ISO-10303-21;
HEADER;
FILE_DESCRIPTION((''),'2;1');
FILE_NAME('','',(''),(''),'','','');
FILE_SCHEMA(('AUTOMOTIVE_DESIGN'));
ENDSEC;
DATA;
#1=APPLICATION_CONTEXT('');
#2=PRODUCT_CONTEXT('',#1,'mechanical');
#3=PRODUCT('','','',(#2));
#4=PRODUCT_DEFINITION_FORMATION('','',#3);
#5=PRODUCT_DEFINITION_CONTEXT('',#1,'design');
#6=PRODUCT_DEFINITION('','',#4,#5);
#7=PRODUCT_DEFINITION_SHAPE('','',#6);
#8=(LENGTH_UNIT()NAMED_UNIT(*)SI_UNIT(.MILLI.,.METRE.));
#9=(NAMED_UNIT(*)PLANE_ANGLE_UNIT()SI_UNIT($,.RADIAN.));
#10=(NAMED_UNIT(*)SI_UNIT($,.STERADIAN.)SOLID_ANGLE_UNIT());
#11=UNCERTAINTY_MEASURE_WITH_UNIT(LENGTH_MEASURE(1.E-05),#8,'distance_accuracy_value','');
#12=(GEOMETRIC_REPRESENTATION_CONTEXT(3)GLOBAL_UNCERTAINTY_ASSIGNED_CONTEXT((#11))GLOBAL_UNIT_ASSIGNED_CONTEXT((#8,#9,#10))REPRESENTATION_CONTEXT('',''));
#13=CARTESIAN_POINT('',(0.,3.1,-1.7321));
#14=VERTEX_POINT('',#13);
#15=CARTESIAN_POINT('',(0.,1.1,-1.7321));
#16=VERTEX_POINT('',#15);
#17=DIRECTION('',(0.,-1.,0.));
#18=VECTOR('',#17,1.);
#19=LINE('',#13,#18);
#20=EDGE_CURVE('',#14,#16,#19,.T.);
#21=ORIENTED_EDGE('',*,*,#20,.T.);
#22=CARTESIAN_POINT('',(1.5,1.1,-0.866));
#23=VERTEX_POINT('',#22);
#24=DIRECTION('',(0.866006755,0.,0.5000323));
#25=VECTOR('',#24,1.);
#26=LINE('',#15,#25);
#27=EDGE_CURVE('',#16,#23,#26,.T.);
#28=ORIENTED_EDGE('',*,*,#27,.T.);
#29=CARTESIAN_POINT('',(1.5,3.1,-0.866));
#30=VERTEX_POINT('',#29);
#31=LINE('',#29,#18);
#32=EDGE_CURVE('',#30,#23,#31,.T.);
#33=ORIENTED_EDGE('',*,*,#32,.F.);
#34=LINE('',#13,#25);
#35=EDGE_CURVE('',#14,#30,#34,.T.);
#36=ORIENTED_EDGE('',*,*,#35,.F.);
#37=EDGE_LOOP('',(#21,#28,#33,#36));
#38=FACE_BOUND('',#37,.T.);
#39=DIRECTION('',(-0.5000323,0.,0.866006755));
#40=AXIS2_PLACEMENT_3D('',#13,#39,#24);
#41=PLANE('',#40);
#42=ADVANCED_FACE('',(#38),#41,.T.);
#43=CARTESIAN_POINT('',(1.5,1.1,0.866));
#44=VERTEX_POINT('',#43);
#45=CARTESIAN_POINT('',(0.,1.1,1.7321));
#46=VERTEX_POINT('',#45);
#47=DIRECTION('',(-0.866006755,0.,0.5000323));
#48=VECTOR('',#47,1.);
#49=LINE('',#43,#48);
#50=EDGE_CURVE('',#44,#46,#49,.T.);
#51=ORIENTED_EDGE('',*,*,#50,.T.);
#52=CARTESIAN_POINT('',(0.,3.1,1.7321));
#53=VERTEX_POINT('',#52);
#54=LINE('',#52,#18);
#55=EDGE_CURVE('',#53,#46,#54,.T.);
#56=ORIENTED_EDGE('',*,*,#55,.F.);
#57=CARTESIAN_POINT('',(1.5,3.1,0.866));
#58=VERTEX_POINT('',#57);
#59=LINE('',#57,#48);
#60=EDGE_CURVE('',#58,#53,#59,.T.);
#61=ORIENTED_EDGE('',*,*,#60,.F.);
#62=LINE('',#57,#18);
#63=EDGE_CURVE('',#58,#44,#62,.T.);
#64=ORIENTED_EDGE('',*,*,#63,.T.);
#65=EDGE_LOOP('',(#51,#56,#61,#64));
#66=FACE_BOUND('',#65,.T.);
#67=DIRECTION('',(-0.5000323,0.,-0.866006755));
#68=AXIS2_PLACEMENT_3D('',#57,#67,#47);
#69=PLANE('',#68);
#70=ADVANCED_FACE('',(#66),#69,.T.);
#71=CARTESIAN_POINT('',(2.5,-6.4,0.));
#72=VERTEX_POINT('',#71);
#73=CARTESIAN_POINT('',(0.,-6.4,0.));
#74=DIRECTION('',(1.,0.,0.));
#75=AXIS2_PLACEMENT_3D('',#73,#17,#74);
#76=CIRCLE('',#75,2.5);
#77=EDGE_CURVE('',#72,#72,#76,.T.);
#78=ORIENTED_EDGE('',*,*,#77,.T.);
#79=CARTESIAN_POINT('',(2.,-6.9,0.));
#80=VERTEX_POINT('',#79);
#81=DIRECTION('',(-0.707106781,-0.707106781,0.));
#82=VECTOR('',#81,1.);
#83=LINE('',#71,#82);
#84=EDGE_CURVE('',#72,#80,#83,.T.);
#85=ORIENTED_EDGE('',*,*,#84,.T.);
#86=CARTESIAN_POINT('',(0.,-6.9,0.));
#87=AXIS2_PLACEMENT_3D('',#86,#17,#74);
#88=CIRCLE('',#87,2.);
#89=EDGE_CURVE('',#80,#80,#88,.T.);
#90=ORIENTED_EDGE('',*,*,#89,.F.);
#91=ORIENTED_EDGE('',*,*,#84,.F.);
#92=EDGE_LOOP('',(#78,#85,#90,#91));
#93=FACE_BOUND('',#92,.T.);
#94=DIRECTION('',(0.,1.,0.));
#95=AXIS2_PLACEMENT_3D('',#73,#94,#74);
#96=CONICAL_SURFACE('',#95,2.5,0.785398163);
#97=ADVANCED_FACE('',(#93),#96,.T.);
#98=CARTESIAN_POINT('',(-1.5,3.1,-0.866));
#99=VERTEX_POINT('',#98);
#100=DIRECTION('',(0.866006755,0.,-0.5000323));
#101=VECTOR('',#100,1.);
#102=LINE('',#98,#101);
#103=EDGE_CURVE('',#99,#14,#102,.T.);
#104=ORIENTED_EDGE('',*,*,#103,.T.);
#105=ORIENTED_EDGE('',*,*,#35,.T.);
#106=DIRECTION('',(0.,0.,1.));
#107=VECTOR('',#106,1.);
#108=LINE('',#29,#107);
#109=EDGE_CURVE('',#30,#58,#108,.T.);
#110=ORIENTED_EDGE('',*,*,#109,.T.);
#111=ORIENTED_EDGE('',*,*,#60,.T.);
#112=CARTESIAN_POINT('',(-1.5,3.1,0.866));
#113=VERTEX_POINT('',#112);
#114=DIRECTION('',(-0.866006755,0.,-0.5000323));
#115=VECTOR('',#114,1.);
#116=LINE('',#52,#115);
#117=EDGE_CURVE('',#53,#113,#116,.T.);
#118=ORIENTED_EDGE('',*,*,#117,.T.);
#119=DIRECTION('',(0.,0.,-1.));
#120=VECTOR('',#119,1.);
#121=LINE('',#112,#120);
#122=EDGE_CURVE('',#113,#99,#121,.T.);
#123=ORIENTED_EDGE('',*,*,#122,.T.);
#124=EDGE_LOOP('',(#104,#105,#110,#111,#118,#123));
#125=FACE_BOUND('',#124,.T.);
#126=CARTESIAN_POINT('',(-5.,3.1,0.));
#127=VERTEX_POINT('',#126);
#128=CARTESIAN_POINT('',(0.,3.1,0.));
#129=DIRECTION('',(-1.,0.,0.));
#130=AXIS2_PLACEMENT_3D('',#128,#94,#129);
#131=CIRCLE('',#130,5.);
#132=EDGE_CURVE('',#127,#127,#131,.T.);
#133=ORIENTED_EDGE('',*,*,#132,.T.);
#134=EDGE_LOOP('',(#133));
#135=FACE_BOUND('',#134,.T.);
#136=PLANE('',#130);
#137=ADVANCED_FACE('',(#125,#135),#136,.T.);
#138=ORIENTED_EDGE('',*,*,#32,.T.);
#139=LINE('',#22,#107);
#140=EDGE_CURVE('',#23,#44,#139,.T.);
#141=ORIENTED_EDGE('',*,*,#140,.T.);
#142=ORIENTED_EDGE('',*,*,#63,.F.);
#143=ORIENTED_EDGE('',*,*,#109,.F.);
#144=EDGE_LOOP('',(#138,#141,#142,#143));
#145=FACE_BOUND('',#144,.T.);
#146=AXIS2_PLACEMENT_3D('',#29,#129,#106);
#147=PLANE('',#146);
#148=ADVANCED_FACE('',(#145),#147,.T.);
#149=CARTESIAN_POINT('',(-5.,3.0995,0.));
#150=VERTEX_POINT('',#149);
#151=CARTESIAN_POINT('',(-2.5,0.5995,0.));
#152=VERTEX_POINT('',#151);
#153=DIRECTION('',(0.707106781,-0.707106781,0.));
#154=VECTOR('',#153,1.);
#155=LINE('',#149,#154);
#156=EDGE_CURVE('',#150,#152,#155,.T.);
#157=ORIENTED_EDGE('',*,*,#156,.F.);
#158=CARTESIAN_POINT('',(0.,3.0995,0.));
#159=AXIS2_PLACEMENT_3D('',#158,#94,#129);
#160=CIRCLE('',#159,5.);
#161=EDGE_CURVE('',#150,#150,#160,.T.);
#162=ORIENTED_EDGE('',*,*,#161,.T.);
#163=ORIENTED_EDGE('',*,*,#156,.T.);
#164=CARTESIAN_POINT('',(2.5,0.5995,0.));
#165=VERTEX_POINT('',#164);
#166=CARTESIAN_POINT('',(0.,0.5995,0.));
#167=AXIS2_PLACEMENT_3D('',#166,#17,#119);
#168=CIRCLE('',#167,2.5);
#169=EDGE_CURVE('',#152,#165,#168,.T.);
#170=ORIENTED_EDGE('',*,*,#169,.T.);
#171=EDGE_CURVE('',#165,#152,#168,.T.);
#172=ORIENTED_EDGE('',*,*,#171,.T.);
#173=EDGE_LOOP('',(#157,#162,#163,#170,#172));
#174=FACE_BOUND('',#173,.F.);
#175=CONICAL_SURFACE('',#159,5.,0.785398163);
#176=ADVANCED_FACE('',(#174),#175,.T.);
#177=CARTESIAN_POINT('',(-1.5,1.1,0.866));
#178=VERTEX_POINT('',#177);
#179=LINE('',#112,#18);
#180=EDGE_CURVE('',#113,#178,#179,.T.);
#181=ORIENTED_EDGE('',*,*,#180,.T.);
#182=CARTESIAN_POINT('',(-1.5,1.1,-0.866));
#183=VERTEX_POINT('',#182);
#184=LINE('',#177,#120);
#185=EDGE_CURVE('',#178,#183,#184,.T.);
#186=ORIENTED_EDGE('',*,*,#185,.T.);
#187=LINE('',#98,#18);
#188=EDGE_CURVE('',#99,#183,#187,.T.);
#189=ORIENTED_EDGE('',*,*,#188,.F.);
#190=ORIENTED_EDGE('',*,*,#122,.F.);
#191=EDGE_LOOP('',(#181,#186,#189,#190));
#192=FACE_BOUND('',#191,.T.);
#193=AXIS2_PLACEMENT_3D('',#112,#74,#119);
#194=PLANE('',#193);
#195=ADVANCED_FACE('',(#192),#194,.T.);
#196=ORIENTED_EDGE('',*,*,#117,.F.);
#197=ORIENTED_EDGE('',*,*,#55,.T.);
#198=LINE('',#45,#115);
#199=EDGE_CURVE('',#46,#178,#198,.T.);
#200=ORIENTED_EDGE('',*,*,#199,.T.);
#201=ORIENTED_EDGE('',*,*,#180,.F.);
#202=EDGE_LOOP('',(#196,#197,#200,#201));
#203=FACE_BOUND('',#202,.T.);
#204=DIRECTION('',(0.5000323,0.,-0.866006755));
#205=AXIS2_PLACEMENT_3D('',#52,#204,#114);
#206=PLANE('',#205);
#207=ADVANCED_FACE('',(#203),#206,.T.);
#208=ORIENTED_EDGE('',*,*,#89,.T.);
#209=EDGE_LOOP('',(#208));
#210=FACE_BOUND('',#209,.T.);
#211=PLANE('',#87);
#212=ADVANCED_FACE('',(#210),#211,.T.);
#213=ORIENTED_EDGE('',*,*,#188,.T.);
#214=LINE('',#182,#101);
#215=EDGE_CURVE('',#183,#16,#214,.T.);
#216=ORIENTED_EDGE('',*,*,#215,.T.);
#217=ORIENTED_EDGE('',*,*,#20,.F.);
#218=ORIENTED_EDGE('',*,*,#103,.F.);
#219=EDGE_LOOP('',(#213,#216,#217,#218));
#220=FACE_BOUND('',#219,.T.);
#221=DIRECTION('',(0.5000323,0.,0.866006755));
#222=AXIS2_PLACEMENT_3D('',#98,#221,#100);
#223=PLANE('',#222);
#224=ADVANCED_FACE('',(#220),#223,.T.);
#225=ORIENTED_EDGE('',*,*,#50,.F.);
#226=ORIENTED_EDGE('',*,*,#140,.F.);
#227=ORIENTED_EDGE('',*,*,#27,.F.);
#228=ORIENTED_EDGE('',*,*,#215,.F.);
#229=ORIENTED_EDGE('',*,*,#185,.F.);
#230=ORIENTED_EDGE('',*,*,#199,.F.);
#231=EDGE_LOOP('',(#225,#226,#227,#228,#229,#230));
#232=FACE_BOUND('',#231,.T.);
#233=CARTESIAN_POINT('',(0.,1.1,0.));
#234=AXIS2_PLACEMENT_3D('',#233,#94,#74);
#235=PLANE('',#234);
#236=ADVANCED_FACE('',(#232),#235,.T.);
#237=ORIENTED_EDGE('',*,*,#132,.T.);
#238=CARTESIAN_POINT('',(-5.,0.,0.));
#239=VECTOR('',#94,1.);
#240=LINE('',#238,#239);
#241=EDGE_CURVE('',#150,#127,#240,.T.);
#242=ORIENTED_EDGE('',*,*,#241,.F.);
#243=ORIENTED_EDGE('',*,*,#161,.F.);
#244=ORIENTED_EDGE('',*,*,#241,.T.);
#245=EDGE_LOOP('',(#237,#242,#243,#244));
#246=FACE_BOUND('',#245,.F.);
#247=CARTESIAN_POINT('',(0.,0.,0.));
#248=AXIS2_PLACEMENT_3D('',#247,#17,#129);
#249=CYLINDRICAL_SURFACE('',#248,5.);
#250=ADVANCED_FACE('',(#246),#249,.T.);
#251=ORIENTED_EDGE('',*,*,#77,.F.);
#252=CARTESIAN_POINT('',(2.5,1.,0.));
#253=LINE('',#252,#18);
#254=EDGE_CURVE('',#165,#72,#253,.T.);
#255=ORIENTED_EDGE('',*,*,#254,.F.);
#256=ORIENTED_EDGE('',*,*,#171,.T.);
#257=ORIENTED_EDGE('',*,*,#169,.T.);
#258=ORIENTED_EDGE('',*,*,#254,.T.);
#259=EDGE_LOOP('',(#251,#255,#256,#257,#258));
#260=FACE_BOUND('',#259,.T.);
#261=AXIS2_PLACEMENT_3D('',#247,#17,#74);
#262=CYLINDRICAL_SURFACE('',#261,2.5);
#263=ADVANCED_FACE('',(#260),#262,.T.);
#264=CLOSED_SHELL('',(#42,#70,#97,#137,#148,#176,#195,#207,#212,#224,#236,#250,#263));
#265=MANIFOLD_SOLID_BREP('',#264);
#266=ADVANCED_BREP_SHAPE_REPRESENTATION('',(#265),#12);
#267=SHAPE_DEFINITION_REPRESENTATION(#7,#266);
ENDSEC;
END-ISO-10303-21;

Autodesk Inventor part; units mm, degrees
ref_plane "YZ Plane" through (0, 0, 0) normal (1, 0, 0) x (0, 1, 0)
ref_plane "XZ Plane" through (0, 0, 0) normal (0, 1, 0) x (-1, 0, 0)
ref_plane "XY Plane" through (0, 0, 0) normal (0, 0, 1) x (1, 0, 0)
sketch "Sketch1" plane through (0, 0, 0) normal (0, 1, 0) x (-1, 0, 0)
  circle A0 centre (0, 0) radius 5
  dimension "d0" = 10
extrude "Extrusion1" add sketch "Sketch1" along normal blind 3.1
chamfer "Chamfer1" distance 3.1 angle 45 1 edges at (5, 0, 0)
sketch "Sketch2" plane through (0, 0, 0) normal (0, -1, 0) x (1, 0, 0)
  circle A0 centre (0, 0) radius 1.9 projected
  circle A1 centre (0, 0) radius 2.5
  dimension "d7" = 5
extrude "Extrusion2" add sketch "Sketch2" along normal blind 6.9 and the other way blind 1 contours A0 | A1
chamfer "Chamfer2" distance 0.5 angle 45 1 edges at (-2.5, -6.9, 0)
sketch "Sketch3" plane through (0, 3.1, 0) normal (0, 1, 0) x (1, 0, 0)
  circle A0 centre (0, 0) radius 5 projected
  line L0 (0, 1.7321) -> (1.5, 0.866)
  line L1 (1.5, 0.866) -> (1.5, -0.866)
  line L2 (1.5, -0.866) -> (0, -1.7321)
  line L3 (0, -1.7321) -> (-1.5, -0.866)
  line L4 (-1.5, -0.866) -> (-1.5, 0.866)
  line L5 (-1.5, 0.866) -> (0, 1.7321)
  dimension "d15" = 3
extrude "Extrusion3" cut sketch "Sketch3" against normal blind 2 contours L0 L1 L2 L3 L4 L5
thread "Thread1" size "M5x0.8" class "6g" standard "ANSI Metric M Profile" full length
properties part number "M5x10FHS"
